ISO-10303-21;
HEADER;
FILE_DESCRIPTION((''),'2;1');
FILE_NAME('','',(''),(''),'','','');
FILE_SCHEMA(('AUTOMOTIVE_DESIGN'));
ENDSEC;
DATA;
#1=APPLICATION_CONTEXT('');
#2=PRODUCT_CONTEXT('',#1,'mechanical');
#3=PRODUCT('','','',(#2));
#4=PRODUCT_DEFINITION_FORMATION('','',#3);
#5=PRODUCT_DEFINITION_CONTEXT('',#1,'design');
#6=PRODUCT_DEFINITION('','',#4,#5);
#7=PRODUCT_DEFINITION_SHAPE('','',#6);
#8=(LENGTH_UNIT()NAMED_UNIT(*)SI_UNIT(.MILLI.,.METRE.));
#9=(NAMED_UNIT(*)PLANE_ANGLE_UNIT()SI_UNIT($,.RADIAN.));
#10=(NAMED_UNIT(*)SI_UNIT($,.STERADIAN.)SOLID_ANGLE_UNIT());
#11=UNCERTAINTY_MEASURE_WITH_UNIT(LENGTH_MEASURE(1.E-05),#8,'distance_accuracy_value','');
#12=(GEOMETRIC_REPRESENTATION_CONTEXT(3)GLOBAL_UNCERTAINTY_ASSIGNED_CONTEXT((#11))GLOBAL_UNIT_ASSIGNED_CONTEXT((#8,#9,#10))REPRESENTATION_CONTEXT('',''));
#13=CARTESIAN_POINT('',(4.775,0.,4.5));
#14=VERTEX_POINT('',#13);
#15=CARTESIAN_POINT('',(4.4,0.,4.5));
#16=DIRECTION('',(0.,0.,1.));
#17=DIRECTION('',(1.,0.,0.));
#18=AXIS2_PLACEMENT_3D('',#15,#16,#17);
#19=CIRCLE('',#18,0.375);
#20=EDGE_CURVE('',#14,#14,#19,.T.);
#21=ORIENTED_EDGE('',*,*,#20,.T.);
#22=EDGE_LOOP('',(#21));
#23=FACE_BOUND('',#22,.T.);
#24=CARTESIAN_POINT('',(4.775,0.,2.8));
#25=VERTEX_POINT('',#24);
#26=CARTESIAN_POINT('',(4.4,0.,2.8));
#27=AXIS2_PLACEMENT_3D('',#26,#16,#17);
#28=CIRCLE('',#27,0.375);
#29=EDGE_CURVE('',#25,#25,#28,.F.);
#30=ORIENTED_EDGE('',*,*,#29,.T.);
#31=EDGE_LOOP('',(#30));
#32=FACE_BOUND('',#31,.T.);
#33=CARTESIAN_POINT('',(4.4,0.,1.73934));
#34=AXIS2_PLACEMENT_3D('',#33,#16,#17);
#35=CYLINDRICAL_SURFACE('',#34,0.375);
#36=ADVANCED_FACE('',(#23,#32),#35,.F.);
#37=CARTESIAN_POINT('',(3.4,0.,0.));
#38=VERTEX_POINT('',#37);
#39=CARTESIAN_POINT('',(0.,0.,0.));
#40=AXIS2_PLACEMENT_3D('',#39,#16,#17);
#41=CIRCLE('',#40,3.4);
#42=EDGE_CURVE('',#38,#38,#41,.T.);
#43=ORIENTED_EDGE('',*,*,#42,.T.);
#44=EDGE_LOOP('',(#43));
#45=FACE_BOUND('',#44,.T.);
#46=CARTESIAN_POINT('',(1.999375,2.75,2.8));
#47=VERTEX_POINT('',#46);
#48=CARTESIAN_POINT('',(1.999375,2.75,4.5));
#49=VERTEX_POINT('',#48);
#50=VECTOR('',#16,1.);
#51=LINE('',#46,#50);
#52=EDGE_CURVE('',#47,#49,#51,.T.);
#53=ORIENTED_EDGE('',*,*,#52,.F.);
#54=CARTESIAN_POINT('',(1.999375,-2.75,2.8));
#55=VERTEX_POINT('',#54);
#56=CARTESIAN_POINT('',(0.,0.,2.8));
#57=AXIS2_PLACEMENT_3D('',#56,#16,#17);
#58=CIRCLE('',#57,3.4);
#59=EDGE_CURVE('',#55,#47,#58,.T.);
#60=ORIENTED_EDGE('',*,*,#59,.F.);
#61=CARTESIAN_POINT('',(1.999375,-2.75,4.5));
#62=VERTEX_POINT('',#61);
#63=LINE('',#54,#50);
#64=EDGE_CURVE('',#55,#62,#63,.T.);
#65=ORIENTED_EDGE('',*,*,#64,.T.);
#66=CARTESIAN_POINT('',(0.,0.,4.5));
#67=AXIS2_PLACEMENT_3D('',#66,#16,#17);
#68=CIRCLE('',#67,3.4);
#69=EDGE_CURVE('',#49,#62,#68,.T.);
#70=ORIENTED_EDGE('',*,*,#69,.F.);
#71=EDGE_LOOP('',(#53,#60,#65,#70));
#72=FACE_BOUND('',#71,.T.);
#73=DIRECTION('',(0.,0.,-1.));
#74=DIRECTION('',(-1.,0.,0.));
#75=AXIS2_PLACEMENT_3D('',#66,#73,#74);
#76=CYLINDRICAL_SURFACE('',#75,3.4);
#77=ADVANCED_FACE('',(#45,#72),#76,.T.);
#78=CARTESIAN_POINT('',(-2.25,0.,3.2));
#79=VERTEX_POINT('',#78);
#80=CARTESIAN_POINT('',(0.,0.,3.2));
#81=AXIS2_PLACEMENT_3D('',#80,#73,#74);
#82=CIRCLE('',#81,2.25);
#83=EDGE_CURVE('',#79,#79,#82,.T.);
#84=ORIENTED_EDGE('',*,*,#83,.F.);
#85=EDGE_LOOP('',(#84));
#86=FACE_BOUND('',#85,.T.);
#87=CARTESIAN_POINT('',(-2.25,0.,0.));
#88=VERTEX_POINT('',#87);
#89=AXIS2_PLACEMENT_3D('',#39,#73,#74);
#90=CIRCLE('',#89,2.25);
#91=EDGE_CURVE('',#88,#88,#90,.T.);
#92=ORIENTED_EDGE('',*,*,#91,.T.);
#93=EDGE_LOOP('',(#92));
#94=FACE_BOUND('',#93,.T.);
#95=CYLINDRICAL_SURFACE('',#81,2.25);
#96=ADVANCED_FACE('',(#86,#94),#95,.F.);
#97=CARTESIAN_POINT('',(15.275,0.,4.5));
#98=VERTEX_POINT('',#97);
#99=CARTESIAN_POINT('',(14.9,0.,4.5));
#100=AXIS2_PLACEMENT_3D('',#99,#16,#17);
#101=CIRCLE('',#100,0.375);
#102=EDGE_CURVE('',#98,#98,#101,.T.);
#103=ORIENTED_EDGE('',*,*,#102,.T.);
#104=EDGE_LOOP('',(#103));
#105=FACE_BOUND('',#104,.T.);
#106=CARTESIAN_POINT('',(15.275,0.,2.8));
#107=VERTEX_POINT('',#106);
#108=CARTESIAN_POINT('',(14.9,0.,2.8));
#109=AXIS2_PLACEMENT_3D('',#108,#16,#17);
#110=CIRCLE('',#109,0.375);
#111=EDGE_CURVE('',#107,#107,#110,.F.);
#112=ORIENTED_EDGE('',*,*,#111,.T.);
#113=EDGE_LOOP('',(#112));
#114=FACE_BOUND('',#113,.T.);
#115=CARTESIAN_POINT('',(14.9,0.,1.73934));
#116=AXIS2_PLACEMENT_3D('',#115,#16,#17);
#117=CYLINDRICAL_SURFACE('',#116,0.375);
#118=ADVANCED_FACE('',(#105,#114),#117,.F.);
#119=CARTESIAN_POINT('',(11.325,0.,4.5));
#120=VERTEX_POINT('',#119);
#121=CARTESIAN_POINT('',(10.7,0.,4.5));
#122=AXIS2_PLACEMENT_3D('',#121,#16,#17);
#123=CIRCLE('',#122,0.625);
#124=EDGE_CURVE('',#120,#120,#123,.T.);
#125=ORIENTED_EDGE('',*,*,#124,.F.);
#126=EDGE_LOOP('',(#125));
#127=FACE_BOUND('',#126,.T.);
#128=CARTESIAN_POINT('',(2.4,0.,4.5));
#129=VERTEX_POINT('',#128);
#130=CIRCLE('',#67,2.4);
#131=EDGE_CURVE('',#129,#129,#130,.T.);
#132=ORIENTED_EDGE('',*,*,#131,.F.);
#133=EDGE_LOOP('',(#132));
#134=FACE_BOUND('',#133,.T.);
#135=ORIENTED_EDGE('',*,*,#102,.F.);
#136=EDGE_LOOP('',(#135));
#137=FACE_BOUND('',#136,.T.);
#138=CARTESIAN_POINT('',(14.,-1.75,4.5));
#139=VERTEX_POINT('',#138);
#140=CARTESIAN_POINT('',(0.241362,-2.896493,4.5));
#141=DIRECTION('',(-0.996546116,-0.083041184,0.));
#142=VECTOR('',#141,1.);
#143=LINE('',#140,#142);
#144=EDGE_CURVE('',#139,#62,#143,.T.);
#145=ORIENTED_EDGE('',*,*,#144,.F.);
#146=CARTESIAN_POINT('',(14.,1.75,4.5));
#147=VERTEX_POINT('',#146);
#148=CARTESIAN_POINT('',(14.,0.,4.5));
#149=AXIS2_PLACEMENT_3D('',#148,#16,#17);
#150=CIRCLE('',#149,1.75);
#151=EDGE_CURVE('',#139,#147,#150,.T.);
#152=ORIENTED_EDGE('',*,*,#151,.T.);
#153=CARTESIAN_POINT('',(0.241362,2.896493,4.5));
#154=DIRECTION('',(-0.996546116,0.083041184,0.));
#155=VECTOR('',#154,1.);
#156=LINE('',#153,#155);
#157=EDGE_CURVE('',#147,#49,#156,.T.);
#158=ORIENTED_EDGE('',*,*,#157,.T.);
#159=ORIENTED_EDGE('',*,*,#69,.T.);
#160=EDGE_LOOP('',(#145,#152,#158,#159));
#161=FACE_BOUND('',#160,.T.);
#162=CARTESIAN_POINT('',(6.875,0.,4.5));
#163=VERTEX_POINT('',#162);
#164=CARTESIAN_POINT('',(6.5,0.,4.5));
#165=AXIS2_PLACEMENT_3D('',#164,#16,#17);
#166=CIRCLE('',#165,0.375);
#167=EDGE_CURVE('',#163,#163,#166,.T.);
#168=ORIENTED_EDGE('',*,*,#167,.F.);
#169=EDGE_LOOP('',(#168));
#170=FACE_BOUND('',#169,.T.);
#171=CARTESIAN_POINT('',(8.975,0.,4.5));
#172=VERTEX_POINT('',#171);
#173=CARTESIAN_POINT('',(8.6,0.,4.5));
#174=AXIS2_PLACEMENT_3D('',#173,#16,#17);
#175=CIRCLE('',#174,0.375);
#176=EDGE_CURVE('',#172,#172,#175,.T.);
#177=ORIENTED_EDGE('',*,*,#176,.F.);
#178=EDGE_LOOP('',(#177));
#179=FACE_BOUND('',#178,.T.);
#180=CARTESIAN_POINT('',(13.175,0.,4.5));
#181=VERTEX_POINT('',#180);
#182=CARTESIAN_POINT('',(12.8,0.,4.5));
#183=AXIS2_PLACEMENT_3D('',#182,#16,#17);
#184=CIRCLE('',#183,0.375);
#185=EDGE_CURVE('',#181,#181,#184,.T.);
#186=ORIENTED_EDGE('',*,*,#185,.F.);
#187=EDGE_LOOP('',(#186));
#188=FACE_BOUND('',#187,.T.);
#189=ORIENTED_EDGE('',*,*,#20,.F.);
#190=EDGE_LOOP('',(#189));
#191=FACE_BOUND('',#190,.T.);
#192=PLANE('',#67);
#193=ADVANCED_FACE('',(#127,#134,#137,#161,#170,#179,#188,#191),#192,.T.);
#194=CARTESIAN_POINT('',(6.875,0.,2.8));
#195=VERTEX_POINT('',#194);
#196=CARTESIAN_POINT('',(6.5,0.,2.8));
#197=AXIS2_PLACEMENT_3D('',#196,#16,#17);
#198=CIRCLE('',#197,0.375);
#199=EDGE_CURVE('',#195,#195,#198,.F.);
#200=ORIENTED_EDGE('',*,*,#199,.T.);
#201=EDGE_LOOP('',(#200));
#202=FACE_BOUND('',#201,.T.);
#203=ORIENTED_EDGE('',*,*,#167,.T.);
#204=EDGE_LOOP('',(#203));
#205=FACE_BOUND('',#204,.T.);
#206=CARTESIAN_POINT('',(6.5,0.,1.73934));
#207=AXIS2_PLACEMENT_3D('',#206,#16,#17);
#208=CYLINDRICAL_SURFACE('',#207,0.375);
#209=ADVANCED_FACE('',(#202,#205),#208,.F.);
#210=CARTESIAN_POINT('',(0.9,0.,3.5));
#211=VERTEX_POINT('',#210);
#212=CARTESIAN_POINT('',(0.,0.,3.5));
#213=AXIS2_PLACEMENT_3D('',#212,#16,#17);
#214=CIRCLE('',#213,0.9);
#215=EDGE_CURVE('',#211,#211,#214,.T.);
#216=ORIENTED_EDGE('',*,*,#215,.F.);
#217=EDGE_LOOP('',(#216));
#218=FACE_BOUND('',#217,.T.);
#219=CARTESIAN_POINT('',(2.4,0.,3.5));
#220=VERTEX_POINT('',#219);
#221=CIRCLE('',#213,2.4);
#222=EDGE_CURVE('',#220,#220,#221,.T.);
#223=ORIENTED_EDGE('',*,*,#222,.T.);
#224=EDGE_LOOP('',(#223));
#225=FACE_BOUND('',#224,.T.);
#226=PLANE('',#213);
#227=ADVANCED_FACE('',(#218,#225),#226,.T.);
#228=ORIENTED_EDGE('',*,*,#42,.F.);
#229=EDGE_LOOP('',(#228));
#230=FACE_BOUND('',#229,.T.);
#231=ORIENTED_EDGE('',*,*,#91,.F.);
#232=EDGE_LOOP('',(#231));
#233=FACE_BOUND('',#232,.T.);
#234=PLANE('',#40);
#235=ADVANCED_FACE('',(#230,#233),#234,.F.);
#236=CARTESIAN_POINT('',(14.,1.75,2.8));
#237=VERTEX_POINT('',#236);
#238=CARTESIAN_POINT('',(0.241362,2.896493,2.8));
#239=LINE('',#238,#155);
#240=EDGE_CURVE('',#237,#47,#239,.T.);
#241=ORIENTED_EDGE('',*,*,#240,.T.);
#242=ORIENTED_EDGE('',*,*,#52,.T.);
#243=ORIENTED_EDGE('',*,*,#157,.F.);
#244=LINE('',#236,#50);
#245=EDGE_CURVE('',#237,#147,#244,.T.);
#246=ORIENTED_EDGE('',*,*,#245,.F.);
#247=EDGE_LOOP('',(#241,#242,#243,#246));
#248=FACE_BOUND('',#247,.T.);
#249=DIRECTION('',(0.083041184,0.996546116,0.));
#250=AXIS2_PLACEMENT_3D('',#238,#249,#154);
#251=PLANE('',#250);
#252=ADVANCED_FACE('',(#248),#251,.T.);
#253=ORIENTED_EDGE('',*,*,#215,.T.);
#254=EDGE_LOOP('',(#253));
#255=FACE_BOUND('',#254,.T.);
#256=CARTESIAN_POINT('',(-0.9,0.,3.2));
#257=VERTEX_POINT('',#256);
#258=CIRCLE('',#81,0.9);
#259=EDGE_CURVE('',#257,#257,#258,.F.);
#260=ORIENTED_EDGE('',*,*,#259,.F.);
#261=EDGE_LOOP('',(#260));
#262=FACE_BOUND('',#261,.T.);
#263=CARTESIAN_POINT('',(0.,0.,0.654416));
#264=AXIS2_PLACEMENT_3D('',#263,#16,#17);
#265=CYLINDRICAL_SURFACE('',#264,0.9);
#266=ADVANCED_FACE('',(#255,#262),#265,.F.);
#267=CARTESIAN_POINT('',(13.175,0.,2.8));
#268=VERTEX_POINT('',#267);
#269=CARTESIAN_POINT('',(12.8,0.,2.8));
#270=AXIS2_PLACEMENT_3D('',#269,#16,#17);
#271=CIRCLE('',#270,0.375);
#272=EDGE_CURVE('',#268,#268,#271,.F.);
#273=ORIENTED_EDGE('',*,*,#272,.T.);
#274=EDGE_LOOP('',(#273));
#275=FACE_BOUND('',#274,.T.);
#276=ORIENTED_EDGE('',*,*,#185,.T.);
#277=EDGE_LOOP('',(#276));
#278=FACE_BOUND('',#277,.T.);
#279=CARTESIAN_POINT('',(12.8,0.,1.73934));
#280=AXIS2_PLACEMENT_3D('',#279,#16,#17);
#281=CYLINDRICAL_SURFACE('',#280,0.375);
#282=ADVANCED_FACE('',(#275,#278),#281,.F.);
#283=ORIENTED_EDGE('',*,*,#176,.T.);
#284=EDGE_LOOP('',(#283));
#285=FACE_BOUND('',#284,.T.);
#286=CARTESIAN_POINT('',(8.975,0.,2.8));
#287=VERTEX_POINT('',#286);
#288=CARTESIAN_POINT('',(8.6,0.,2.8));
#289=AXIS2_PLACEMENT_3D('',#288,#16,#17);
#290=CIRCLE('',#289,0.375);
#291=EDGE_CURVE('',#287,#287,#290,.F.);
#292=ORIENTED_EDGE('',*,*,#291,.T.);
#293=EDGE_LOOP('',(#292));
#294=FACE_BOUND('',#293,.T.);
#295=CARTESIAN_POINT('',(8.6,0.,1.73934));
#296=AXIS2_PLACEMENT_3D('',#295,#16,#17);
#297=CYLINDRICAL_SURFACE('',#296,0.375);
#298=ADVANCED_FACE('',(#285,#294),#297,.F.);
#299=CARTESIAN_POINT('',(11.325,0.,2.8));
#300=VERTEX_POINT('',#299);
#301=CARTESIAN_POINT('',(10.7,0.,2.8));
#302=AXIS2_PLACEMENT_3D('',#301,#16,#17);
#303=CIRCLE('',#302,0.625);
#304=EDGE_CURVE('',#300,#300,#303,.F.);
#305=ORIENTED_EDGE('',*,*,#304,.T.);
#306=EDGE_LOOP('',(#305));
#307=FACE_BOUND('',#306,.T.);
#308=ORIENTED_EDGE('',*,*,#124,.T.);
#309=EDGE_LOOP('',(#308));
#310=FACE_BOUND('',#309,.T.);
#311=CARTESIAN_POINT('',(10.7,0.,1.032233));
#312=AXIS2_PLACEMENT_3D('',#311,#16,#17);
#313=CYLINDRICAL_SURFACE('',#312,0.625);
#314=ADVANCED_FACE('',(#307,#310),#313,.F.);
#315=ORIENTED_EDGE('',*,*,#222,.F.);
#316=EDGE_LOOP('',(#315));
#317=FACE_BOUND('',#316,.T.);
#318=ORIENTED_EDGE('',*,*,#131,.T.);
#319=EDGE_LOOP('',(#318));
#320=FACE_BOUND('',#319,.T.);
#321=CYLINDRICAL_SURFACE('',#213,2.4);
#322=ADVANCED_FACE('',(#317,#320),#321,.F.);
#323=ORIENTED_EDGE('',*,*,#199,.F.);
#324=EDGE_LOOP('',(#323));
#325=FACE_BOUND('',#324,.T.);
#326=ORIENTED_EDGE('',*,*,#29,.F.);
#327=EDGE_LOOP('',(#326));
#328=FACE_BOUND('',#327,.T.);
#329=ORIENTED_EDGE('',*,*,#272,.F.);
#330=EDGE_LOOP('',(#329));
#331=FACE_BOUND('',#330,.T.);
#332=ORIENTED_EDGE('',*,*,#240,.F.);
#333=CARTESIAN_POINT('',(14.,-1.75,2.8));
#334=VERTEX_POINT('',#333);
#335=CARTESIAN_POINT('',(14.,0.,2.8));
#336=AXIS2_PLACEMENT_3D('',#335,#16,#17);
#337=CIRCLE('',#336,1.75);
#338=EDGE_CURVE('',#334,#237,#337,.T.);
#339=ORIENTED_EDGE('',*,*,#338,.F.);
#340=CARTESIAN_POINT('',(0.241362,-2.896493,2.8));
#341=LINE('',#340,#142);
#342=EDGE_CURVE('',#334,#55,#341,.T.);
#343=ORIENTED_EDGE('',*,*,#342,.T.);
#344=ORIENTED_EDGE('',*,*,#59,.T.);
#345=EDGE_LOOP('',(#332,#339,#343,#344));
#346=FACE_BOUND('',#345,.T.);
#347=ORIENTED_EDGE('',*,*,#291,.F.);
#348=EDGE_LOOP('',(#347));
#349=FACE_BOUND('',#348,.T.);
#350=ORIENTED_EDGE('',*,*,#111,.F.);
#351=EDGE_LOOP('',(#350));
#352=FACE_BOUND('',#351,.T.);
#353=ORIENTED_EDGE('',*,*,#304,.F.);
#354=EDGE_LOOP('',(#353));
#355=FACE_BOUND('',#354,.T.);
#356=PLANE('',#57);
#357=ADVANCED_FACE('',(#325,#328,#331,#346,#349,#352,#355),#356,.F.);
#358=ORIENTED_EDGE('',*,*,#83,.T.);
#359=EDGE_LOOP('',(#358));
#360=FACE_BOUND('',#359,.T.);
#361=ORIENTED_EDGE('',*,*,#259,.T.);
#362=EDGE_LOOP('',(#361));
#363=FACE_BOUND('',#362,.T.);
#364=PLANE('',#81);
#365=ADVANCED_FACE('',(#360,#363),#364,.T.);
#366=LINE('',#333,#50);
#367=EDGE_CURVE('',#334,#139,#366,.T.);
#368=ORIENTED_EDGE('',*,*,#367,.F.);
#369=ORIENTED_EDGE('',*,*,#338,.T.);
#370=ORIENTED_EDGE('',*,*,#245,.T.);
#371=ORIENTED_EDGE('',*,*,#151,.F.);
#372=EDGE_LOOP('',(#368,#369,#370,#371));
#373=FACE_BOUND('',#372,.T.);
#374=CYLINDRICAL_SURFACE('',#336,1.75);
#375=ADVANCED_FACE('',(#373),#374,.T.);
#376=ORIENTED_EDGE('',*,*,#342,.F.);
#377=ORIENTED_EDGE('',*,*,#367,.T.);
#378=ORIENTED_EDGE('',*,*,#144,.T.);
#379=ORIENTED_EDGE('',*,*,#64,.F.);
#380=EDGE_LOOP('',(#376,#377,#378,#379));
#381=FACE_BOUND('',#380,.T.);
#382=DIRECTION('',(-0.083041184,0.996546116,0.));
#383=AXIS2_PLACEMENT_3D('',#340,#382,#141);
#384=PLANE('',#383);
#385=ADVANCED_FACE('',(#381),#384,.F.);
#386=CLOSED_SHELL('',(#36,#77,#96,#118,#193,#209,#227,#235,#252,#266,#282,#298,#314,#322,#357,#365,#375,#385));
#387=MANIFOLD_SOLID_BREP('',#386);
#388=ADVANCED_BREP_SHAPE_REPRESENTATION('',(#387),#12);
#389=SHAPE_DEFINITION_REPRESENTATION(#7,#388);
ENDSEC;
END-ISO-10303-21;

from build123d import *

# Parameters (mm, degrees)
SKICA1_R                 = 3.4
P_IDAT_VYSUNUT_M1_DEPTH  = 4.5
SKICA2_R                 = 2.25
ODEBRAT_VYSUNUT_M1_DEPTH = 3.2
SKICA3_R                 = 2.4
ODEBRAT_VYSUNUT_M2_DEPTH = 1
SKICA4_R                 = 0.9
ODEBRAT_VYSUNUT_M3_DEPTH = 0.3
P_IDAT_VYSUNUT_M2_DEPTH  = 1.7
SKICA6_R                 = 0.375
ODEBRAT_VYSUNUT_M4_DEPTH = 1.7
LINPOLE1_COUNT           = 6
LINPOLE1_PITCH           = 2.1
SKICA7_R                 = 0.625
ODEBRAT_VYSUNUT_M5_DEPTH = 1.7


with BuildPart() as part:
    # Skica1 → Přidat vysunutím1 (new body)
    with BuildSketch(Plane.XY):
        Circle(SKICA1_R)
    extrude(amount=P_IDAT_VYSUNUT_M1_DEPTH)

    # Skica2 → Odebrat vysunutím1 (cut)
    with BuildSketch(Plane(origin=(0, 0, 0), x_dir=(-1, 0, 0), z_dir=(0, 0, -1))):
        Circle(SKICA2_R)
    extrude(amount=-ODEBRAT_VYSUNUT_M1_DEPTH, mode=Mode.SUBTRACT)

    # Skica3 → Odebrat vysunutím2 (cut)
    with BuildSketch(Plane.XY.offset(4.5)):
        Circle(SKICA3_R)
    extrude(amount=-ODEBRAT_VYSUNUT_M2_DEPTH, mode=Mode.SUBTRACT)

    # Skica4 → Odebrat vysunutím3 (cut)
    with BuildSketch(Plane.XY.offset(3.5)):
        Circle(SKICA4_R)
    extrude(amount=-ODEBRAT_VYSUNUT_M3_DEPTH, mode=Mode.SUBTRACT)

    # Skica5 → Přidat vysunutím2 (add)
    with BuildSketch(Plane.XY.offset(4.5)):
        with BuildLine():
            Line((1.999374902, -2.75), (14, -1.75))
            ThreePointArc((14, -1.75), (15.75, 0), (14, 1.75))
            Line((14, 1.75), (1.999374902, 2.75))
            ThreePointArc((1.999374902, 2.75), (3.4, 0), (1.999374902, -2.75))
        make_face()
    extrude(amount=-P_IDAT_VYSUNUT_M2_DEPTH)

    # Skica6 → Odebrat vysunutím4 (cut)
    with BuildSketch(Plane.XY.offset(4.5)):
        with Locations((4.4, 0)):
            Circle(SKICA6_R)
    odebrat_vysunut_m4 = extrude(amount=-ODEBRAT_VYSUNUT_M4_DEPTH, mode=Mode.SUBTRACT)

    # LinPole1: Odebrat vysunutím4 ×6
    with Locations(*[(i * LINPOLE1_PITCH, 0, 0) for i in range(1, LINPOLE1_COUNT)]):
        add(odebrat_vysunut_m4, mode=Mode.SUBTRACT)

    # Skica7 → Odebrat vysunutím5 (cut)
    with BuildSketch(Plane.XY.offset(4.5)):
        with Locations((10.7, 0)):
            Circle(SKICA7_R)
    extrude(amount=-ODEBRAT_VYSUNUT_M5_DEPTH, mode=Mode.SUBTRACT)


solid = part.part
